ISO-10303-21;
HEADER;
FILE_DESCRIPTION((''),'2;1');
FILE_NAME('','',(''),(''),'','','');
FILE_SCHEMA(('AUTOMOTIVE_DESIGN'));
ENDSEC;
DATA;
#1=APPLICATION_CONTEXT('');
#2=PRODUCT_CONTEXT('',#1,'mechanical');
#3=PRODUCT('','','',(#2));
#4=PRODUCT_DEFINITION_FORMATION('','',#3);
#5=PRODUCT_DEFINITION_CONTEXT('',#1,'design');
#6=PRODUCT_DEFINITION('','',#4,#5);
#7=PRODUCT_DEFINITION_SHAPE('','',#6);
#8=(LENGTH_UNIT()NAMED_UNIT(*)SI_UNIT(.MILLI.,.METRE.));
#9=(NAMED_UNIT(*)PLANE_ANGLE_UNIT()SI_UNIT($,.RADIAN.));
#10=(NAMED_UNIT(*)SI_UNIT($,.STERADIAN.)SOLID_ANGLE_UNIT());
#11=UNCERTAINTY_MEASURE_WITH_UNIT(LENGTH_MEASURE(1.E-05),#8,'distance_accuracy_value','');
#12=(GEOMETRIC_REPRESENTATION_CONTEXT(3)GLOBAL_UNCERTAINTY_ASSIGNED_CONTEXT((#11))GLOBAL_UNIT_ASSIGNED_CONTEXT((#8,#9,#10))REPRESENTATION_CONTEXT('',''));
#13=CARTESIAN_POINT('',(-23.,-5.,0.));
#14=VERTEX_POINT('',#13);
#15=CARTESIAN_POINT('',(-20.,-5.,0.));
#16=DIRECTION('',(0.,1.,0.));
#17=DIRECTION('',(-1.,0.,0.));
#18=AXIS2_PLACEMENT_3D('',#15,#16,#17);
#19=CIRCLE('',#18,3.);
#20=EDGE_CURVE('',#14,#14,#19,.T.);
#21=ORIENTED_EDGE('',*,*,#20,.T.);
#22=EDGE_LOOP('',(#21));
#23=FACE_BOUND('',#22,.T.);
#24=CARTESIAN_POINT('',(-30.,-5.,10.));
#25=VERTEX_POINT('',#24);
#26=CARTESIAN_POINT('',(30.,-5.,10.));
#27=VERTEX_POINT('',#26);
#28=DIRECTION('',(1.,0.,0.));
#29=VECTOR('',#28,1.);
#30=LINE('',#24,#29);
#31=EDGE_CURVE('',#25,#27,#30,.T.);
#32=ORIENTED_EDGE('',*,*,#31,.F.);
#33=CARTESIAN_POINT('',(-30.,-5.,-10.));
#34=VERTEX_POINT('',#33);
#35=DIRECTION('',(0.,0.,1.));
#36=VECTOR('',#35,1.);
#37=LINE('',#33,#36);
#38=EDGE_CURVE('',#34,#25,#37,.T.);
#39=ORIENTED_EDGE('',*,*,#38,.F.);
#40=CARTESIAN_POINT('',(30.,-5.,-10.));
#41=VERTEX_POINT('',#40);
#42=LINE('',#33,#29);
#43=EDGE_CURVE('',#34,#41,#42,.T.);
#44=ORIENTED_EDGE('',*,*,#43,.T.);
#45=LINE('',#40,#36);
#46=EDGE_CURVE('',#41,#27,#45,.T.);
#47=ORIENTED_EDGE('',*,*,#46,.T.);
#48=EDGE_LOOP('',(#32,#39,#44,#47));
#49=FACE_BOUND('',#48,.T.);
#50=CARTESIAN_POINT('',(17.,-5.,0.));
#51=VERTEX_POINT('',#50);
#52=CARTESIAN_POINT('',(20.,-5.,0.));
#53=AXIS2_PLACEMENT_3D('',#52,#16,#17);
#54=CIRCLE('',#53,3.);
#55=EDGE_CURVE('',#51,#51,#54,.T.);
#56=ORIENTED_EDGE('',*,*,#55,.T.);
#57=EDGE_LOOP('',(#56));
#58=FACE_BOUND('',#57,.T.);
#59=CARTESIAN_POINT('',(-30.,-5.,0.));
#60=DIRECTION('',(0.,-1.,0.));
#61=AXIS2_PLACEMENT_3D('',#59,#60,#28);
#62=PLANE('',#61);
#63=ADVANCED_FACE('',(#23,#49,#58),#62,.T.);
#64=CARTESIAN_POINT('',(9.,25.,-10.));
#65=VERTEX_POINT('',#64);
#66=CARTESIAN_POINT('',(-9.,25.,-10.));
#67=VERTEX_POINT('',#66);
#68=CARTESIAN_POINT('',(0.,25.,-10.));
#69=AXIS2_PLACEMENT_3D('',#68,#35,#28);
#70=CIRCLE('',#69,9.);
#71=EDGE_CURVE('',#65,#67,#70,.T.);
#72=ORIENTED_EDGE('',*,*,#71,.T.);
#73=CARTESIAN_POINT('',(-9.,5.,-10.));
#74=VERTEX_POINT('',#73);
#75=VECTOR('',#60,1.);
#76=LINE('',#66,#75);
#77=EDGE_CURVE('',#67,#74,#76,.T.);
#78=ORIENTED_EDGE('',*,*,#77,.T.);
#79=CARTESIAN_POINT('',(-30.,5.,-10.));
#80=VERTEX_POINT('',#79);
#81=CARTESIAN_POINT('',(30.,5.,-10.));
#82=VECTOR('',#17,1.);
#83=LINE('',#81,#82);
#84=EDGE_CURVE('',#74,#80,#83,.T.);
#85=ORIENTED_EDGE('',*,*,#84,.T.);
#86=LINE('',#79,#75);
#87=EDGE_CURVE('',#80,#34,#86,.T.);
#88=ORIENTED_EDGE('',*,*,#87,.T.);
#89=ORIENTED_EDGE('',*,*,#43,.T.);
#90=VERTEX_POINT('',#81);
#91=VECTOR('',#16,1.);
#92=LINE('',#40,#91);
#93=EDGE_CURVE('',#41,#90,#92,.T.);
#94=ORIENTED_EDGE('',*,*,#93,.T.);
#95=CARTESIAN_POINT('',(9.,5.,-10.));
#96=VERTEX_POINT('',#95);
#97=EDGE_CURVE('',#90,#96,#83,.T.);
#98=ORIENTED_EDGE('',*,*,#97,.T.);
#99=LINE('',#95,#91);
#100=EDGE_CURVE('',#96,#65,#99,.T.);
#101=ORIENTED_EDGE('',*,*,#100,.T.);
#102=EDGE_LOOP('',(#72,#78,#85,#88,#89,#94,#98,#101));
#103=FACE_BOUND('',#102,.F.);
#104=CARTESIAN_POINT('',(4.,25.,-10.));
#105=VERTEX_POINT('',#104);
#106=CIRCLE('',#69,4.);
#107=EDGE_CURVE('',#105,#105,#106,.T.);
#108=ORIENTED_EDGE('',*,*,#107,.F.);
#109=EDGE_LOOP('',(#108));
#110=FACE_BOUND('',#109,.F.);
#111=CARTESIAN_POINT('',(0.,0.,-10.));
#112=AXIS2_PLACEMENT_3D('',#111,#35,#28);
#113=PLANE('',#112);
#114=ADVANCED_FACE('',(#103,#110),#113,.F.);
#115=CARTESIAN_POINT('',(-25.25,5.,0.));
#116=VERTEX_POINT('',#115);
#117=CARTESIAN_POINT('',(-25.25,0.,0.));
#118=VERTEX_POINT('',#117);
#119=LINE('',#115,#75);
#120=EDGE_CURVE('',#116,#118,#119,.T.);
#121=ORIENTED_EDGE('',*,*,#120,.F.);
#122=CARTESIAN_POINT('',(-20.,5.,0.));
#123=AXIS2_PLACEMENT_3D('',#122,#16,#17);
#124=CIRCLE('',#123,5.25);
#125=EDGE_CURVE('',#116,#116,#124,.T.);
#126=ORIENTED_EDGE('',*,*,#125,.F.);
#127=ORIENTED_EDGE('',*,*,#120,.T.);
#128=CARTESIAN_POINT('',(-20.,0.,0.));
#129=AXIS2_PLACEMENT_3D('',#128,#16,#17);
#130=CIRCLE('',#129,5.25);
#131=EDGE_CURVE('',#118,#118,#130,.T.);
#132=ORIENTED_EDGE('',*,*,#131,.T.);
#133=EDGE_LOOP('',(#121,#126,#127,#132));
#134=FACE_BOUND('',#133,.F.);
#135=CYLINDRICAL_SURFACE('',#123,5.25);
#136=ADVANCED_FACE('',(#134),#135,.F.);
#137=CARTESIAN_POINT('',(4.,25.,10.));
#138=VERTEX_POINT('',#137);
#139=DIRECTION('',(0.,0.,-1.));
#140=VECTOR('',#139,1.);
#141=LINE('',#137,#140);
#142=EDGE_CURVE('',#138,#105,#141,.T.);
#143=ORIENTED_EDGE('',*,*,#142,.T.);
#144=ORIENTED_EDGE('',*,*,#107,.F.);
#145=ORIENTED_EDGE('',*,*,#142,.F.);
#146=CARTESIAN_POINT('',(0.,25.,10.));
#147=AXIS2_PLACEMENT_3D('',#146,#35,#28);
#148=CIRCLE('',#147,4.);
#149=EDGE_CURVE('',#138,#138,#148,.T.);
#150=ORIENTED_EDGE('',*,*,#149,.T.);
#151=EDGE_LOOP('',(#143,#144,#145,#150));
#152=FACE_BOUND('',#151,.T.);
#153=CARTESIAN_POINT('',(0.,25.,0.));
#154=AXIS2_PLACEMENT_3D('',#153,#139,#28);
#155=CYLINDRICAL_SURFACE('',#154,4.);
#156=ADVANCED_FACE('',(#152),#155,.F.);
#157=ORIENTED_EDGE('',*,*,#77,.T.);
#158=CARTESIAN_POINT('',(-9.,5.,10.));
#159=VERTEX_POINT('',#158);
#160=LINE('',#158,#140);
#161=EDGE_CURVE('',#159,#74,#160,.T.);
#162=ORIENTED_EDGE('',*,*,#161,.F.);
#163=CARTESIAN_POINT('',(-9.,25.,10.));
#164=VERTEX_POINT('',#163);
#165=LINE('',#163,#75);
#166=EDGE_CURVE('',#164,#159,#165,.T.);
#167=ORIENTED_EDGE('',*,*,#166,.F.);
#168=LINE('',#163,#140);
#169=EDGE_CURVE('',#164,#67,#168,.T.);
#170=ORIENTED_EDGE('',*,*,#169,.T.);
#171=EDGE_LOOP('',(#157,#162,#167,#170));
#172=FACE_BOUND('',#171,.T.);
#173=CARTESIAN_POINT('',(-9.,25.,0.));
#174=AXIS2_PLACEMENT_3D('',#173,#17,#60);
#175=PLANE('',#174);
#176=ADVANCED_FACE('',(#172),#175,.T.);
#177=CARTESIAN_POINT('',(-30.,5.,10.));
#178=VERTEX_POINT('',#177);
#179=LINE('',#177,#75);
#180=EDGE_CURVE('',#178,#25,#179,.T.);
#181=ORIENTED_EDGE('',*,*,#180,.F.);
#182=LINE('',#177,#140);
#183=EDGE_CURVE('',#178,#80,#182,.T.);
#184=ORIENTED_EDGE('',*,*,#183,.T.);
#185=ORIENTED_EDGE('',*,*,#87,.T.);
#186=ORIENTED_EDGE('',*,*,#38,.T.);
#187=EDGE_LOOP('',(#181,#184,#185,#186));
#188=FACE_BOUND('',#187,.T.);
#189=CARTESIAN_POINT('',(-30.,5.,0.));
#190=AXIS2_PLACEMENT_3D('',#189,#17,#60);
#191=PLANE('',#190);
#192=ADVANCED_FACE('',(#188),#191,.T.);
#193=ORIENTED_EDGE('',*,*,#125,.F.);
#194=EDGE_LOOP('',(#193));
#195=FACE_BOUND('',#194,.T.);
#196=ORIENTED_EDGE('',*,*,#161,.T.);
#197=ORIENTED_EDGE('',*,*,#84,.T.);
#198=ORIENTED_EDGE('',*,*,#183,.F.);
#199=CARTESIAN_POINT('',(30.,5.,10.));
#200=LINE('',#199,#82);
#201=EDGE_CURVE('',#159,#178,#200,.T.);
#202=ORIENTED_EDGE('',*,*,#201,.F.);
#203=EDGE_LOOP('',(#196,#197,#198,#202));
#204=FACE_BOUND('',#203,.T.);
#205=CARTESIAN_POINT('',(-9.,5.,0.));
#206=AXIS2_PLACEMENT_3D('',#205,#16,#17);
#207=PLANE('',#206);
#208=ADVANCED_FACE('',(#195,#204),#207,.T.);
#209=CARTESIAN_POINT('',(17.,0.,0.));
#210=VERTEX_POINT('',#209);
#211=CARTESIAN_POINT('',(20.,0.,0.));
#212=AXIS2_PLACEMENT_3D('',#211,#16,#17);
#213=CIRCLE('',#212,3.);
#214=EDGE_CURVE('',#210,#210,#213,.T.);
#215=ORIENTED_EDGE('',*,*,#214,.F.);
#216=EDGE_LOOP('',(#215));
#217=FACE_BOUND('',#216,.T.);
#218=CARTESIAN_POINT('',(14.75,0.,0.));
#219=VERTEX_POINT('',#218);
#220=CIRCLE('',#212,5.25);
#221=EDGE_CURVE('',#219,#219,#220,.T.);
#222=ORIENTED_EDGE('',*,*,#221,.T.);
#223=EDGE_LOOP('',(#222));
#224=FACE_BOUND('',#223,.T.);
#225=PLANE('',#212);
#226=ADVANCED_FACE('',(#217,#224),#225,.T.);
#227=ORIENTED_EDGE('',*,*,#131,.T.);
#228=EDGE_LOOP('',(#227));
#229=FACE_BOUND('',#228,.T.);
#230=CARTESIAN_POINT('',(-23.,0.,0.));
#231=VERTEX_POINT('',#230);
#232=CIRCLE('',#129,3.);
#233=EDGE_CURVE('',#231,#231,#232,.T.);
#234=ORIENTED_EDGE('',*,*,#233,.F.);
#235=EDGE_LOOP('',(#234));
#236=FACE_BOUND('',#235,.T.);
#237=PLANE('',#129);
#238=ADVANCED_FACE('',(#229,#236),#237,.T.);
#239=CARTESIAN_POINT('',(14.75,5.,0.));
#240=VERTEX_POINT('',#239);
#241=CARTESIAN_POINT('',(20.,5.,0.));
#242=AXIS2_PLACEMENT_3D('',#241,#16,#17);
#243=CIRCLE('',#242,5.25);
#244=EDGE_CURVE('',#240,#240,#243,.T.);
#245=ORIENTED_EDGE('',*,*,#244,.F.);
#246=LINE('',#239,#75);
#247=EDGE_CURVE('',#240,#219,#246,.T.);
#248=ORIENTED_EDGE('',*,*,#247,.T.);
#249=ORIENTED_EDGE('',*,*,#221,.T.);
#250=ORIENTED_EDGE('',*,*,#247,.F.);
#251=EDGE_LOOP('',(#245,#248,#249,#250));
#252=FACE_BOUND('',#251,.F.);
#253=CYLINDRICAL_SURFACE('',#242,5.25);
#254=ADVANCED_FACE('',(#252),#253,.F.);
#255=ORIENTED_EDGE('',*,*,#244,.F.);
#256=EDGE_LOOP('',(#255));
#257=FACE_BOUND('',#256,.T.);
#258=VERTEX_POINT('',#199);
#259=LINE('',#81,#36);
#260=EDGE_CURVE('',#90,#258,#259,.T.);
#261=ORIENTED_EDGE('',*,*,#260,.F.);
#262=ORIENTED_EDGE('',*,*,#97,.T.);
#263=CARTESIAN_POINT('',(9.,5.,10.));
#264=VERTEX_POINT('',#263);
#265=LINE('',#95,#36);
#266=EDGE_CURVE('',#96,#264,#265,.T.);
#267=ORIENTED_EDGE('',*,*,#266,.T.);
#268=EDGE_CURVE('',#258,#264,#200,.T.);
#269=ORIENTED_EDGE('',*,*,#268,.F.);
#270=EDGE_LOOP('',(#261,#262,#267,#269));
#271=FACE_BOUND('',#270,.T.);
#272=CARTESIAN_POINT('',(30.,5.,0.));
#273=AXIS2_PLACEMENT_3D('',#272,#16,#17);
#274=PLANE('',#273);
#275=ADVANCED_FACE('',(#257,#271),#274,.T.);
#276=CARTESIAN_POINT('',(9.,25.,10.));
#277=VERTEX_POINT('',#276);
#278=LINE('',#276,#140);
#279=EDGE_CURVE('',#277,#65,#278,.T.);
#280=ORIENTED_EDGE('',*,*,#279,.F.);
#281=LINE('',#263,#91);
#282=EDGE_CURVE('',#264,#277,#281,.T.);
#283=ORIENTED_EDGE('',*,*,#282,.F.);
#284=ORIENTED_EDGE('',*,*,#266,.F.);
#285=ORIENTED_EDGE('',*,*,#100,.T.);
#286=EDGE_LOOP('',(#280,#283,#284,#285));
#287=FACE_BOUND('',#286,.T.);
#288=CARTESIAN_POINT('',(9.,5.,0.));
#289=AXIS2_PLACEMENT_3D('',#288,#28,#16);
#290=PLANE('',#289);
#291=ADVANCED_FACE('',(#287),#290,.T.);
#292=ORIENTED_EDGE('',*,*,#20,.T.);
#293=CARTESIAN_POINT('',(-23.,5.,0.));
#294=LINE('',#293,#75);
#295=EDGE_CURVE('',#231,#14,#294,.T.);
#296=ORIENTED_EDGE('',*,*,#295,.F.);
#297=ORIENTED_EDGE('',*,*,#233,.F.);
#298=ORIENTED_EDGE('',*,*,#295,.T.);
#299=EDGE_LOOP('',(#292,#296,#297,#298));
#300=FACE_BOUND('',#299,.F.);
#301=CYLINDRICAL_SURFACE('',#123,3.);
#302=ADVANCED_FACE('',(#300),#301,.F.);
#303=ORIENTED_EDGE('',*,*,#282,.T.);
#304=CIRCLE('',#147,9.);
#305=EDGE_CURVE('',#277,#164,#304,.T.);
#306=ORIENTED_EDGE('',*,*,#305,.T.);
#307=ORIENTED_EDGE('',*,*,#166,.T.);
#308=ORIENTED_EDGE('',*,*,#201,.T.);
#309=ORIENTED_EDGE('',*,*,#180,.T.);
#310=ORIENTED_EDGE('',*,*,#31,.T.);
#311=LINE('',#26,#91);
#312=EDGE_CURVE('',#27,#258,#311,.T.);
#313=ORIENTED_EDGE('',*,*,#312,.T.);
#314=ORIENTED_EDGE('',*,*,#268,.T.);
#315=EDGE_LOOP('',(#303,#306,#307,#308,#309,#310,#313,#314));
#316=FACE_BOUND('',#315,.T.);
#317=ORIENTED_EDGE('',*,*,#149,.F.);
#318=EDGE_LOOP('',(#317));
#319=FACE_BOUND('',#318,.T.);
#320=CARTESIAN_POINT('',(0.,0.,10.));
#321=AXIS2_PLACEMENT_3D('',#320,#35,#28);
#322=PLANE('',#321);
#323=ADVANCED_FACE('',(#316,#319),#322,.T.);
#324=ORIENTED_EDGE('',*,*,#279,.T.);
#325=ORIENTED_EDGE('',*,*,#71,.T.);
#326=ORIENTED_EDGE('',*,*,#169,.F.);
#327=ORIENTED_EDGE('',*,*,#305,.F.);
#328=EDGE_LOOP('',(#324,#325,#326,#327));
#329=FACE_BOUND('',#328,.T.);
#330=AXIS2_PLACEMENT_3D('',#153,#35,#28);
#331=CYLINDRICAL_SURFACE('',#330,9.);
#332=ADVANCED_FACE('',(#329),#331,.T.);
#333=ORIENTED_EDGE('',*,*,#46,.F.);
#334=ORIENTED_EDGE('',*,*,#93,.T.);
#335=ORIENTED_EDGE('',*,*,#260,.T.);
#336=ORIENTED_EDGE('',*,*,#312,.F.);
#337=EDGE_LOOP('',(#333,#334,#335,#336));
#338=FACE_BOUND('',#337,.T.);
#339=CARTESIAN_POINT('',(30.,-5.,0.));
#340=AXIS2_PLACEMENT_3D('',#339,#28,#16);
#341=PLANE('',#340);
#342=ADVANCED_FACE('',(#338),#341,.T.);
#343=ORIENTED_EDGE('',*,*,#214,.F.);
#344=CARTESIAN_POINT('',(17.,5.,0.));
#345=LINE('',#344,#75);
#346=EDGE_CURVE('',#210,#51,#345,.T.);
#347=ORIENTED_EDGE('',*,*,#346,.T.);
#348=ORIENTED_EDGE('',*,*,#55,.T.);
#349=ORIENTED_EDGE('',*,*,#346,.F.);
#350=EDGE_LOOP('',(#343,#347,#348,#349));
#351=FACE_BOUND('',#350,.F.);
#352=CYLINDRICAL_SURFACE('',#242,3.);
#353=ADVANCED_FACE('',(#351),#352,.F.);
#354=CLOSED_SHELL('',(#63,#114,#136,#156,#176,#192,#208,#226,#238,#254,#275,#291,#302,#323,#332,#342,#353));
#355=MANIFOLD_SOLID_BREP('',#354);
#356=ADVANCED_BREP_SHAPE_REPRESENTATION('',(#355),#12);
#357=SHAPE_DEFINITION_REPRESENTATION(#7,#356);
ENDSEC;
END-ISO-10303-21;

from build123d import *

# Parameters (mm, degrees)
F0_R     = 4
F1_DEPTH = 10
F2_R     = 3
F3_DEPTH = 10.001
F2_R_2   = 5.25
F4_DEPTH = 5


with BuildPart() as f1:
    # F0 (on Top) → F1 (new body, symmetric)
    with BuildSketch(Plane.XY):
        Polygon((-9, 5), (-30, 5), (-30, -5), (30, -5), (30, 5), (9, 5), align=None)
        with BuildLine():
            Line((-9, 25), (-9, 5))
            Line((-9, 5), (9, 5))
            Line((9, 5), (9, 25))
            ThreePointArc((9, 25), (0, 34), (-9, 25))
        make_face()
        with Locations((0, 25)):
            Circle(F0_R, mode=Mode.SUBTRACT)
    extrude(amount=F1_DEPTH, both=True)

    # F2 (on face) → F3 (cut, through all)
    with BuildSketch(Plane(origin=(0, 5, 0), x_dir=(-1, 0, 0), z_dir=(0, 1, 0))):
        with Locations((20, 0)):
            Circle(F2_R)
        with Locations((-20, 0)):
            Circle(F2_R)
    extrude(amount=-F3_DEPTH, mode=Mode.SUBTRACT)

    # F2 (on face) → F4 (cut)
    with BuildSketch(Plane(origin=(0, 5, 0), x_dir=(-1, 0, 0), z_dir=(0, 1, 0))):
        with Locations((20, 0)):
            Circle(F2_R_2)
        with Locations((20, 0)):
            Circle(F2_R, mode=Mode.SUBTRACT)
        with Locations((-20, 0)):
            Circle(F2_R_2)
        with Locations((-20, 0)):
            Circle(F2_R, mode=Mode.SUBTRACT)
    extrude(amount=-F4_DEPTH, mode=Mode.SUBTRACT)


solid = f1.part
